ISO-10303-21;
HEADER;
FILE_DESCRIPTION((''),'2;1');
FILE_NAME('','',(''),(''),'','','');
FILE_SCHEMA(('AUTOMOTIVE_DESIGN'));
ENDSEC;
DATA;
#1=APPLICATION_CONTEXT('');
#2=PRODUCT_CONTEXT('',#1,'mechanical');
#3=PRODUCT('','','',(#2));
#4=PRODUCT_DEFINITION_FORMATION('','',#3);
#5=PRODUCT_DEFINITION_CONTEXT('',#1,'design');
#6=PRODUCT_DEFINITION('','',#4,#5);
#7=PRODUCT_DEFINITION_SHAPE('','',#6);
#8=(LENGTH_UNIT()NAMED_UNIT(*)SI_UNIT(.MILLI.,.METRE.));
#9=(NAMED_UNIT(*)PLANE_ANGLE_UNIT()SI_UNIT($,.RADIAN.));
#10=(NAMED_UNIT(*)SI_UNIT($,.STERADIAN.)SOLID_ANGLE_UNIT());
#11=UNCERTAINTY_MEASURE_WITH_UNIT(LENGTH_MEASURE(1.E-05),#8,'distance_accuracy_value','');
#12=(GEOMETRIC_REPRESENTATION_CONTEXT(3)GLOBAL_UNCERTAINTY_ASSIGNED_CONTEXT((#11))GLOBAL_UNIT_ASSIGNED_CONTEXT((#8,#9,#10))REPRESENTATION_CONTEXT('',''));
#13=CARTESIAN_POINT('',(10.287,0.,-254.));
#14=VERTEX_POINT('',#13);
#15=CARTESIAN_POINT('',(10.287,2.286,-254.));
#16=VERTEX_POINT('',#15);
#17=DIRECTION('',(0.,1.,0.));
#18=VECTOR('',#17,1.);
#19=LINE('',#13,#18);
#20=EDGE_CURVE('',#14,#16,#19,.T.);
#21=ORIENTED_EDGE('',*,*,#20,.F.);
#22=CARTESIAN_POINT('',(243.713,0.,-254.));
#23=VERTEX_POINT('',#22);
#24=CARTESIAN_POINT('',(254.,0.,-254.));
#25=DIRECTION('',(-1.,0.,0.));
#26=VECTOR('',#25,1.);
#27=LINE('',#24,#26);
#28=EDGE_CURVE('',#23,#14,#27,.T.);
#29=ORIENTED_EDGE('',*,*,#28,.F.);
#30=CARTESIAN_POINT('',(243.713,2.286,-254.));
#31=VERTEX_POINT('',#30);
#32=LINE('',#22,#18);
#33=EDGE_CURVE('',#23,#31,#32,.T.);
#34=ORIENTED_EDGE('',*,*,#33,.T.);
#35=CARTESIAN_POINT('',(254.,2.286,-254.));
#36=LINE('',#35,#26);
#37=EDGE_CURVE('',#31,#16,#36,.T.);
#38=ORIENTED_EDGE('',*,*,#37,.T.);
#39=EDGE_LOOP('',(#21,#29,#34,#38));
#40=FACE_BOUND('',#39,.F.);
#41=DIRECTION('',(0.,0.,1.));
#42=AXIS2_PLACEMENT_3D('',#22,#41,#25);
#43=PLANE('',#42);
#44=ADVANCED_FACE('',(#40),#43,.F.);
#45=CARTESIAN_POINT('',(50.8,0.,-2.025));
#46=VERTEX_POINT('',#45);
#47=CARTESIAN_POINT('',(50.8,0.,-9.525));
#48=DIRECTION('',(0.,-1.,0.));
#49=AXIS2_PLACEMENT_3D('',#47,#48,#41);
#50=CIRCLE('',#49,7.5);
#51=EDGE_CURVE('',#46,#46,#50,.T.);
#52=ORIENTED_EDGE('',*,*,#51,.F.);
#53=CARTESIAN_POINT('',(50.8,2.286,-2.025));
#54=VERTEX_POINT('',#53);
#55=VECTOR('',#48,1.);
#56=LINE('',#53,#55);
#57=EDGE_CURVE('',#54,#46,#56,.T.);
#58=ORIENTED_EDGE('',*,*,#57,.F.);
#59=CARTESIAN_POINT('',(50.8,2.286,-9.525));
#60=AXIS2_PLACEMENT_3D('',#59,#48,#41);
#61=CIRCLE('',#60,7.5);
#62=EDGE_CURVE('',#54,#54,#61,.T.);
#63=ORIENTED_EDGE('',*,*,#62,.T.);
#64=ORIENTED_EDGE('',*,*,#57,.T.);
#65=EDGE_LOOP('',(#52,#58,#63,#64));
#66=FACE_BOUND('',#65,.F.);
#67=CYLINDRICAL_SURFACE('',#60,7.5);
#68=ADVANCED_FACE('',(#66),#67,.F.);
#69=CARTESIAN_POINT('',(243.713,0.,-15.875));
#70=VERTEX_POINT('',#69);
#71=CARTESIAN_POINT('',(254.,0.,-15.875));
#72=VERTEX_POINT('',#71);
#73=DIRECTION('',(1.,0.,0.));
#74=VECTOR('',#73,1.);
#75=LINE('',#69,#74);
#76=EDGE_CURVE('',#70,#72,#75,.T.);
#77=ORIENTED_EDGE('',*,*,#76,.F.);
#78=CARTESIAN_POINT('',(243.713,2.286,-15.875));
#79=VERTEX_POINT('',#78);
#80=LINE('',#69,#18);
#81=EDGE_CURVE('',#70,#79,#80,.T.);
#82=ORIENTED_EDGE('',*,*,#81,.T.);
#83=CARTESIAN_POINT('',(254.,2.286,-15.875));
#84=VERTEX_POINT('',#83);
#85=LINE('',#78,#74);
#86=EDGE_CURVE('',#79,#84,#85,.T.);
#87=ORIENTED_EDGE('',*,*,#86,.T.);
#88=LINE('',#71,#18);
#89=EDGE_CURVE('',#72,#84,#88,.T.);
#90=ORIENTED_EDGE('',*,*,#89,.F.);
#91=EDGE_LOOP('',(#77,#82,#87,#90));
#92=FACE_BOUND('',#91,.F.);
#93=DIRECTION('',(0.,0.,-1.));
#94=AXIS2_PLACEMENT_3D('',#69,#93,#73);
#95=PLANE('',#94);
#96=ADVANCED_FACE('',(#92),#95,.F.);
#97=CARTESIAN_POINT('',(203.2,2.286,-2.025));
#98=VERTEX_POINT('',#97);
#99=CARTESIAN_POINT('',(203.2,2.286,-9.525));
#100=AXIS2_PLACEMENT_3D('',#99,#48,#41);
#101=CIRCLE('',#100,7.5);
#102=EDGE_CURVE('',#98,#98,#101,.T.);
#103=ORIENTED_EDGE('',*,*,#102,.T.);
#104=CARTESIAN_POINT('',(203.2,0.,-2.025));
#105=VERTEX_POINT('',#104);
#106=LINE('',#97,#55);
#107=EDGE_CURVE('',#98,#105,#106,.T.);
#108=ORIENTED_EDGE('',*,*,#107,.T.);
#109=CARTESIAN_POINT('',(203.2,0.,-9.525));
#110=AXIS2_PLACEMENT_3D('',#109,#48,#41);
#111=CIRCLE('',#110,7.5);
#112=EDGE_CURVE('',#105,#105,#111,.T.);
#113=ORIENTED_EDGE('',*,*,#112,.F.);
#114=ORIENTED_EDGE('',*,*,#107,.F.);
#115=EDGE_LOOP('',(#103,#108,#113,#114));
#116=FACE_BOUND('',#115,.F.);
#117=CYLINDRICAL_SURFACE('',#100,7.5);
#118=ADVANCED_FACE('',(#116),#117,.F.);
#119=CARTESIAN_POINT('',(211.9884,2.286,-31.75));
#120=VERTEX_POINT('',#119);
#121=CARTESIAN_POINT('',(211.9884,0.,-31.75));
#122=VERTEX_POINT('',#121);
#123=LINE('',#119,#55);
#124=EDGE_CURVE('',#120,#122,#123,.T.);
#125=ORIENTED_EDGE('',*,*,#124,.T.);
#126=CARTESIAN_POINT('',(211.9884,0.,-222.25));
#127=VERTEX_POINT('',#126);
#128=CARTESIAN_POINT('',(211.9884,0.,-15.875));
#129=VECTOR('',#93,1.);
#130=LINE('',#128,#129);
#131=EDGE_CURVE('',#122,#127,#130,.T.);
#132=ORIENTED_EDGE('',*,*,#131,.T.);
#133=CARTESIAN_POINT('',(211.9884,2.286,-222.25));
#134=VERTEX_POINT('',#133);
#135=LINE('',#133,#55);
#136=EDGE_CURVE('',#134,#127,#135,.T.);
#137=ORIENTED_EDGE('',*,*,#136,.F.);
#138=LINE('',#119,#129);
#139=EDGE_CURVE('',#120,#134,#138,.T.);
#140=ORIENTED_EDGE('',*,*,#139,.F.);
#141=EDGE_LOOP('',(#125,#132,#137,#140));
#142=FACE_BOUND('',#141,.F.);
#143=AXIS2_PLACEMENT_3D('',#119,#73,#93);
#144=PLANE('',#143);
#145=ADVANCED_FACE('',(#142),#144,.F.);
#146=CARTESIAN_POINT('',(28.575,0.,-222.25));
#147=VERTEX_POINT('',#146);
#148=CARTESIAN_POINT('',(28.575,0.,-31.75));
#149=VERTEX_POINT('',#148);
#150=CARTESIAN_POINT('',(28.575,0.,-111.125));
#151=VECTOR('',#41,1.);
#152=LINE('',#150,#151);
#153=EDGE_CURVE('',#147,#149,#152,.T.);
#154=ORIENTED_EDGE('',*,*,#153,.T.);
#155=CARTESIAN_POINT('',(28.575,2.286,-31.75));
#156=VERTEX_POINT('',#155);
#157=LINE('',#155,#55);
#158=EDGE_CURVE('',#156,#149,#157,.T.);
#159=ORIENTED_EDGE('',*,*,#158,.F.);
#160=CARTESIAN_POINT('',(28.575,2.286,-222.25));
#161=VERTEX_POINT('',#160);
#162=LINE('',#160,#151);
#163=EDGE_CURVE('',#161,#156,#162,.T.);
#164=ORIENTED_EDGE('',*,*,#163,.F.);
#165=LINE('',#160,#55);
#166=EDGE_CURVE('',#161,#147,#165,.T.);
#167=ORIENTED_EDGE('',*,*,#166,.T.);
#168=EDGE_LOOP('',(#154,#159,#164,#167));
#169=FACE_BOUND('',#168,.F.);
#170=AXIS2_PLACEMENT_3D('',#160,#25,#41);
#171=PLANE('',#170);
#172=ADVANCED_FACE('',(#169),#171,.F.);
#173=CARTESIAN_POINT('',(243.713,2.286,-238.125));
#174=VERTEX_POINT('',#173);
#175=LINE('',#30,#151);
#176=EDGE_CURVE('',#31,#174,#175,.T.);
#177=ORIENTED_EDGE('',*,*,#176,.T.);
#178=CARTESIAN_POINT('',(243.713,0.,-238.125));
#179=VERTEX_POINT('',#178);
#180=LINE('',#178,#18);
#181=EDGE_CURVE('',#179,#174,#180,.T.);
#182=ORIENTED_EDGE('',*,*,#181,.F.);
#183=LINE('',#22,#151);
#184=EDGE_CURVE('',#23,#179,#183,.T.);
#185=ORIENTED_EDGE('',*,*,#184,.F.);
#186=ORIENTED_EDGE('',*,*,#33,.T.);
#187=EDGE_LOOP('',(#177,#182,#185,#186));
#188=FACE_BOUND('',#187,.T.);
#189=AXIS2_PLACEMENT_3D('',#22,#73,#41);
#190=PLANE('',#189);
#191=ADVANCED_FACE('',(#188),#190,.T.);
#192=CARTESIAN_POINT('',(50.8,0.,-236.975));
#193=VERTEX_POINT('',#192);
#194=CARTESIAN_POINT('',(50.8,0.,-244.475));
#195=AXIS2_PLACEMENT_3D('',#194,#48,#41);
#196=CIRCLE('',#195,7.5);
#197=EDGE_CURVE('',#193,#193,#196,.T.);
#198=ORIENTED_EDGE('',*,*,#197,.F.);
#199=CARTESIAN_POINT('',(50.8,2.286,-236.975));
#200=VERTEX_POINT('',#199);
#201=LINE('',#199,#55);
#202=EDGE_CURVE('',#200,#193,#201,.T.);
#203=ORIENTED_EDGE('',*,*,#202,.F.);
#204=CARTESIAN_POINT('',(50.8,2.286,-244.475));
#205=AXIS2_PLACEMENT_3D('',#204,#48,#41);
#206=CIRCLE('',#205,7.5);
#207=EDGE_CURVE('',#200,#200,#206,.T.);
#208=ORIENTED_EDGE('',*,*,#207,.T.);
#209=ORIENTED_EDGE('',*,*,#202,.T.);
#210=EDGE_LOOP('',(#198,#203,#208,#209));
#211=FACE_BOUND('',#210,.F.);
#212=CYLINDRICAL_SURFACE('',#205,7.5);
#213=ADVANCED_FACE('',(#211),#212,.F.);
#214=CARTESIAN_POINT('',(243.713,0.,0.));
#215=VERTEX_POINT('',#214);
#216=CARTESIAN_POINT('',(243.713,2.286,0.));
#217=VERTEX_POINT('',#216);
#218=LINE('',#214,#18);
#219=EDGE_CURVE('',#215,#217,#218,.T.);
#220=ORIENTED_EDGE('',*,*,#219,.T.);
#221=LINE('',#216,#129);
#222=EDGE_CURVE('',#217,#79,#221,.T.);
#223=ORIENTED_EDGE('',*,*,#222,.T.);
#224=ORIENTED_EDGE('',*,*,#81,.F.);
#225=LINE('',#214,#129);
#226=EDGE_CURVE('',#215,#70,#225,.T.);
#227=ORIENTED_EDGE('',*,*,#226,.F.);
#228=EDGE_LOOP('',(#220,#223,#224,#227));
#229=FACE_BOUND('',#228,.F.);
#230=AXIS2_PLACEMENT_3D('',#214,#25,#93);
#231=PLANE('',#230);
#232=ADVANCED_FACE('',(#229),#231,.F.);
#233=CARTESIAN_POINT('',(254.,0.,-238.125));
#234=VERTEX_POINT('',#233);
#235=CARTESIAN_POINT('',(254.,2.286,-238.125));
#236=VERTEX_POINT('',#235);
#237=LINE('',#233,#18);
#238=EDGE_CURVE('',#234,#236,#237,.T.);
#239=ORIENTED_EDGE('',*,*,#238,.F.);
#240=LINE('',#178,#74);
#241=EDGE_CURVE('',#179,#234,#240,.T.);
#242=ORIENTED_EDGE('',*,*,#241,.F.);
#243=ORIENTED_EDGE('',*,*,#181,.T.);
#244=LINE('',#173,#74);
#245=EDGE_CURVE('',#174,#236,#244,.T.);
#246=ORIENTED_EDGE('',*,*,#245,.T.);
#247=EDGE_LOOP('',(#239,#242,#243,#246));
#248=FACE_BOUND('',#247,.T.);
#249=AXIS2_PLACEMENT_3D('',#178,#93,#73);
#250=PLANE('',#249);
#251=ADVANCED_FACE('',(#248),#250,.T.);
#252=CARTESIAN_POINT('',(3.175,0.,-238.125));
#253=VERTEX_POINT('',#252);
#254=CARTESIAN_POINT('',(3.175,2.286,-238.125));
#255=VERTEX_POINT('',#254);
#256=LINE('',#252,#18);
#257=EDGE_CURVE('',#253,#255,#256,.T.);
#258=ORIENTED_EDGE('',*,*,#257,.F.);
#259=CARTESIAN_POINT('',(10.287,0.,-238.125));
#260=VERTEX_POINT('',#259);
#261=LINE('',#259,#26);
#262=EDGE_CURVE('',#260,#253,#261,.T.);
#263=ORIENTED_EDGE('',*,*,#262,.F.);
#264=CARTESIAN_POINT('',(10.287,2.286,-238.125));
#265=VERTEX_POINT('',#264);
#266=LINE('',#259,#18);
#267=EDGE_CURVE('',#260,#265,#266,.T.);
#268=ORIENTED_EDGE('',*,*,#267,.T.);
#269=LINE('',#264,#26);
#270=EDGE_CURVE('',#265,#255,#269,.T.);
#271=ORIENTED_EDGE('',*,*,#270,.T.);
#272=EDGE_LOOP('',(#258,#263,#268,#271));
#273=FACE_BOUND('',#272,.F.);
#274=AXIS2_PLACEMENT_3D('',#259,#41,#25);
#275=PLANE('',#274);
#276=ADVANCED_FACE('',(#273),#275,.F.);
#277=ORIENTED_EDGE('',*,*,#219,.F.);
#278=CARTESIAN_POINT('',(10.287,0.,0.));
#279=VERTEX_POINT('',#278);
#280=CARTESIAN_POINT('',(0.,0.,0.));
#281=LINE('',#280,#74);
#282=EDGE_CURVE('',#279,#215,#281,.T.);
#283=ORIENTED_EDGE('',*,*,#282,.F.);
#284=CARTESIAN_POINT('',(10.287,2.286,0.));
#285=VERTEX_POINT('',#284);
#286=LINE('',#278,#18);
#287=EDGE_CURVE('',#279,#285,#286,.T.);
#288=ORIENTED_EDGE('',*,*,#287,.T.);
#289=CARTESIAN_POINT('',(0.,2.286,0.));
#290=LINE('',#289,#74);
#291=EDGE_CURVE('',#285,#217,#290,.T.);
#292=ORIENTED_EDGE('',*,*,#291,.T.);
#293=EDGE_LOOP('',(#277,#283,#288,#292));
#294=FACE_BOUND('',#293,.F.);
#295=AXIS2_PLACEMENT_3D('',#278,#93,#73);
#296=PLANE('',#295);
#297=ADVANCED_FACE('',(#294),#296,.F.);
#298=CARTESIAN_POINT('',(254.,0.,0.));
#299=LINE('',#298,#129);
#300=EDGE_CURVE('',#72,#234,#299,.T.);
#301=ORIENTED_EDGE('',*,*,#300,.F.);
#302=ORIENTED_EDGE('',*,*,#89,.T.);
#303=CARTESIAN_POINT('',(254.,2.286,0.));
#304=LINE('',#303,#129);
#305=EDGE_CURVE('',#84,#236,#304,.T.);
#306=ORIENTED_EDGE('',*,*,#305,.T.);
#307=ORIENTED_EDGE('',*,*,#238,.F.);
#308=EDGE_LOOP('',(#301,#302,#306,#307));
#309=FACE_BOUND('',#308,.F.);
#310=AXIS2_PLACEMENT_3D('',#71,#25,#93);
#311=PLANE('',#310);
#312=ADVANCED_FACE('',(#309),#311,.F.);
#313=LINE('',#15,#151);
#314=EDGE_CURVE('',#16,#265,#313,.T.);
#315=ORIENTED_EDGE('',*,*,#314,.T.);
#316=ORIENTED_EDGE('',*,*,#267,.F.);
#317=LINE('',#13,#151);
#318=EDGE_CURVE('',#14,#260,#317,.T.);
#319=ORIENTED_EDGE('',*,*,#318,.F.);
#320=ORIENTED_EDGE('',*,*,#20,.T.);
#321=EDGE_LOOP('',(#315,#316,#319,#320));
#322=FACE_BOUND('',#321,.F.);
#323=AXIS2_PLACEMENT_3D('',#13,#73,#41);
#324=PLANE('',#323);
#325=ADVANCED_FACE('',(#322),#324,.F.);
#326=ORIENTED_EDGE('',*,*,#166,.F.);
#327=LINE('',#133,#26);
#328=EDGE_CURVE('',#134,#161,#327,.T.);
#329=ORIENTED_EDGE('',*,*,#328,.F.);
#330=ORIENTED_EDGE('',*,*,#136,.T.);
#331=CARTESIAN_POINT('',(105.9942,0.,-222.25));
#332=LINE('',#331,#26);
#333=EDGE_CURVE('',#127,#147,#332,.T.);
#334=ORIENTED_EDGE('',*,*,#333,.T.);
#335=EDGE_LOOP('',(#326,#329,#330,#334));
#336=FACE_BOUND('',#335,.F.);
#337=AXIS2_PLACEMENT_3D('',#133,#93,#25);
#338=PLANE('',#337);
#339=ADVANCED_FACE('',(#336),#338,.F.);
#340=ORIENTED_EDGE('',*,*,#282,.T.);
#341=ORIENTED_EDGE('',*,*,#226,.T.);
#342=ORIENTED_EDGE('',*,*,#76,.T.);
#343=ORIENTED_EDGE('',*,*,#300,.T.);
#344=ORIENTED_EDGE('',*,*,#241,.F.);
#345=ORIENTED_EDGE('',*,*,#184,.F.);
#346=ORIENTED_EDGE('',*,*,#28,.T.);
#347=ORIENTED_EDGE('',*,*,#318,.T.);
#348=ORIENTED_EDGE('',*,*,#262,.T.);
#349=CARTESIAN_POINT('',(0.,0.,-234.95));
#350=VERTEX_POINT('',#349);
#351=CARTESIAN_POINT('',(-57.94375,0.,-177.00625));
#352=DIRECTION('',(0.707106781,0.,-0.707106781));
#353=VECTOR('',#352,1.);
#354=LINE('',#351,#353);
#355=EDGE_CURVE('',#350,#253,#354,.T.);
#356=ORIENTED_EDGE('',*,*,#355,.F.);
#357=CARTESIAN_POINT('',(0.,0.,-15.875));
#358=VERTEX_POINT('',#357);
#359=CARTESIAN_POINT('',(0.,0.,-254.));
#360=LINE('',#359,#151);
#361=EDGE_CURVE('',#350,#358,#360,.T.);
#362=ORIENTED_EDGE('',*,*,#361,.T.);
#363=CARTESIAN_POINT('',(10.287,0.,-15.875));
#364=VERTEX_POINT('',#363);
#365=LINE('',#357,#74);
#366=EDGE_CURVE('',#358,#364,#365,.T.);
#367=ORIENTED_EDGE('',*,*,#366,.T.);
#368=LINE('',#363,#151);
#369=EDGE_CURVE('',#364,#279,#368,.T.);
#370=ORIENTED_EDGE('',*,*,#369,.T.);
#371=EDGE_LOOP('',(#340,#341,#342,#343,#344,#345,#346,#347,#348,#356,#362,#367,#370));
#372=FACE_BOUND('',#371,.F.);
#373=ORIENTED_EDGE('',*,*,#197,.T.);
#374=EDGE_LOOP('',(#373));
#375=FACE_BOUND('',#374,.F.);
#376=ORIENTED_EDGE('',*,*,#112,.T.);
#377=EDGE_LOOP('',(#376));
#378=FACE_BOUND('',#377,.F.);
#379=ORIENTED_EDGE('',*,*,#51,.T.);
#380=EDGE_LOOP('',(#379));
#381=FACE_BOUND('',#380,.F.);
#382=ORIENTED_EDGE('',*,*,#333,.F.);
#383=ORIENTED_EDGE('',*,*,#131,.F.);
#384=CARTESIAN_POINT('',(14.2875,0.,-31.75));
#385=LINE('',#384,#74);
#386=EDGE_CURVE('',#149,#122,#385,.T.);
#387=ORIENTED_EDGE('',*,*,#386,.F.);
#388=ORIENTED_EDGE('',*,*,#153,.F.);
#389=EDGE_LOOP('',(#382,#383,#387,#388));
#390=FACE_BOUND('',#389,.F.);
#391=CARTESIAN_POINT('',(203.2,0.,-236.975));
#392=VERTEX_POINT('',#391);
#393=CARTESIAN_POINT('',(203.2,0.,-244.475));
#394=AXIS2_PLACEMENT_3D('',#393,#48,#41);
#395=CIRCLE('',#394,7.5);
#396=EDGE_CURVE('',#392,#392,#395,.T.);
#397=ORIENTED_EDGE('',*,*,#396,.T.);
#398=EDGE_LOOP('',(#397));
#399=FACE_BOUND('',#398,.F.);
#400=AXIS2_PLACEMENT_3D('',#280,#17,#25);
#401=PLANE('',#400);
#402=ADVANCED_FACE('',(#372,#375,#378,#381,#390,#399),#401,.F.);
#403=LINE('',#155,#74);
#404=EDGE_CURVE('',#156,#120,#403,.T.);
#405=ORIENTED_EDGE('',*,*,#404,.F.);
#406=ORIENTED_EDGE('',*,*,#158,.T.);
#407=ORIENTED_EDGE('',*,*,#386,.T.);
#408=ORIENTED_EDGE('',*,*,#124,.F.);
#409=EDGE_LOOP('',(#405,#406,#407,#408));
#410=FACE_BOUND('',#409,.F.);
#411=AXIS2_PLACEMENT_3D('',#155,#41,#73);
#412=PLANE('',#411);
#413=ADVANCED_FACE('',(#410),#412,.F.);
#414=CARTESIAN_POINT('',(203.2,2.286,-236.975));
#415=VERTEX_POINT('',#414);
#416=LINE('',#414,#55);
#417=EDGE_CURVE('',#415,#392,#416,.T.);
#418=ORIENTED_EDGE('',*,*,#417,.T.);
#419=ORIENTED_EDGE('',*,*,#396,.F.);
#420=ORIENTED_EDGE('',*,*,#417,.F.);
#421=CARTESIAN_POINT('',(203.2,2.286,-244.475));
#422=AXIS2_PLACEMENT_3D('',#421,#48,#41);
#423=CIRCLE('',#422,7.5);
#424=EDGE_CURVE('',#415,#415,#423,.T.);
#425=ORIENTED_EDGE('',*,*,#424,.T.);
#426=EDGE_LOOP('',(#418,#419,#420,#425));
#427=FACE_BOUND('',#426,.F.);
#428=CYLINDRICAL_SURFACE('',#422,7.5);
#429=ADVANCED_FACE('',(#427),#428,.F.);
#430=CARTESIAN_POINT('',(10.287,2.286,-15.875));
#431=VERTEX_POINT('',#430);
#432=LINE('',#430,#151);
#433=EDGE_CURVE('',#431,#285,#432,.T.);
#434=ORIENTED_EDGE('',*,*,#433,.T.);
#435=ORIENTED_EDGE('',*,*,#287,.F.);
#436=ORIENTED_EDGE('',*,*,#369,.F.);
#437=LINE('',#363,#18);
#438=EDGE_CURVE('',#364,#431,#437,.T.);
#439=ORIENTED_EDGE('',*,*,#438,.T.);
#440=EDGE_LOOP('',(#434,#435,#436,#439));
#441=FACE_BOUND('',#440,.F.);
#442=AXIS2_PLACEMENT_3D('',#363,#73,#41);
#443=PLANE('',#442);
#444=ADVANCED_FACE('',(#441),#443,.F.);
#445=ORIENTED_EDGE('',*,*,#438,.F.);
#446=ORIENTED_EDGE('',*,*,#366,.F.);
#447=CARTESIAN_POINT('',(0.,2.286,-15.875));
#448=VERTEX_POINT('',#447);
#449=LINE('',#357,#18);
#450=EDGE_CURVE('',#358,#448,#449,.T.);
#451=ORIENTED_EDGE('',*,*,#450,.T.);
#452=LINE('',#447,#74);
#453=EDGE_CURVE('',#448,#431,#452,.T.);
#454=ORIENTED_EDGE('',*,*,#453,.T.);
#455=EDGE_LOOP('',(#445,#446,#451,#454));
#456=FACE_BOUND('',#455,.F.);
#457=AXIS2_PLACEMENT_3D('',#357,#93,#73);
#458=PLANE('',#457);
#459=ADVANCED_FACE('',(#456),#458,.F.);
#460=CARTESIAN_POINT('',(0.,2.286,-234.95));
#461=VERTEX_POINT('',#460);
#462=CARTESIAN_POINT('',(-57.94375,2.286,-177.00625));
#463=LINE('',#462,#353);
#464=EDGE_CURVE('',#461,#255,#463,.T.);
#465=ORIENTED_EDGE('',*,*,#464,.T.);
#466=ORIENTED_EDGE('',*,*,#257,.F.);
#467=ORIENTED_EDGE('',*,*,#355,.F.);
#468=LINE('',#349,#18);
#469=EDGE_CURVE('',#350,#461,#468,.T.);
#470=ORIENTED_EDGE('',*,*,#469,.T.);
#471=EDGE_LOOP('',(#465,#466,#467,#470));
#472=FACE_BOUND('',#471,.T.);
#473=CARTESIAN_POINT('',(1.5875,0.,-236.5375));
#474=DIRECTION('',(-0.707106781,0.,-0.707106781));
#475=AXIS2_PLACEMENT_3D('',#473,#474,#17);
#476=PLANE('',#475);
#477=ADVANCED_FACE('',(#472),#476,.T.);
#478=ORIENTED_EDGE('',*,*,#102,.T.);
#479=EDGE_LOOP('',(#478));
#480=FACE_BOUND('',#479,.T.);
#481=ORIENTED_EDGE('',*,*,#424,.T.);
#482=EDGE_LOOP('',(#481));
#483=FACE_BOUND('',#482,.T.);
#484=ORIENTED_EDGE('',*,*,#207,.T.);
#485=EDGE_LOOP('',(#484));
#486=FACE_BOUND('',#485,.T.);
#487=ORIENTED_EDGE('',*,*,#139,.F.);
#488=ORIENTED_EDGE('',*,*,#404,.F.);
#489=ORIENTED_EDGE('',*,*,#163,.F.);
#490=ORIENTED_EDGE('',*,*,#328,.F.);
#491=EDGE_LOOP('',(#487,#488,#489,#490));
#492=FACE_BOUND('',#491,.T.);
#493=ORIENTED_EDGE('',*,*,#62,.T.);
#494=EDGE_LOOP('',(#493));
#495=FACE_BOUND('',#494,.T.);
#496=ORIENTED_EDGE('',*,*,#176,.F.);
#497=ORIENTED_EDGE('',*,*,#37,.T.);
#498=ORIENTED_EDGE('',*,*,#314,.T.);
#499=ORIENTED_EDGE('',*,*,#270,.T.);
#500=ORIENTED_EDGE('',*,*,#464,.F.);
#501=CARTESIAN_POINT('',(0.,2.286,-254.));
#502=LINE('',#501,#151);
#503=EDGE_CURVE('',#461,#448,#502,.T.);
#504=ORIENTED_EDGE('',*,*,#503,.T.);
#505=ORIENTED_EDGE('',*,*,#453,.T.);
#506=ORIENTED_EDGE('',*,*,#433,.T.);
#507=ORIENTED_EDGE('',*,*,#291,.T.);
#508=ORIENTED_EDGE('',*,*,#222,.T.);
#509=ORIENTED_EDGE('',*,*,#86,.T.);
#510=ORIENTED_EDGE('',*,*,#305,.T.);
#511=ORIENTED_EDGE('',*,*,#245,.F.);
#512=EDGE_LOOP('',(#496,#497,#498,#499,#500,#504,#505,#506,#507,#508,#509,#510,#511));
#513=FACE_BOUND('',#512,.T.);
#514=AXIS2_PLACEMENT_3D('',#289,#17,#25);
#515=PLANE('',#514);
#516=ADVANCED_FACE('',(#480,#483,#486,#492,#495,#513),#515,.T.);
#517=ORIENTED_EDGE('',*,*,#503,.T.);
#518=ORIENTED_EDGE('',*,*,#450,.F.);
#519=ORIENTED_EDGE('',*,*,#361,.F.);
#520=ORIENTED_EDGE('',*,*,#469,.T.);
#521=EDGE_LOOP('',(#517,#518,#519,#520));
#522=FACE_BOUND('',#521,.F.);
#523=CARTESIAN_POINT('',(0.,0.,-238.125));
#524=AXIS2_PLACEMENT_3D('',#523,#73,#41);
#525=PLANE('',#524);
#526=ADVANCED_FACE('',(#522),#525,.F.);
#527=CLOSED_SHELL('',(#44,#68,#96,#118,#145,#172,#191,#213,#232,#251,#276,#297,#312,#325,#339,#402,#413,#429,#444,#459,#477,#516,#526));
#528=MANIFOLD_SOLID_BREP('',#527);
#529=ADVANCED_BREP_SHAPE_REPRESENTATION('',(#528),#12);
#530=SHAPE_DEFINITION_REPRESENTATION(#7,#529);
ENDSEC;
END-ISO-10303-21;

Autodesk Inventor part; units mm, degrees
ref_plane "YZ Plane" through (0, 0, 0) normal (1, 0, 0) x (0, 1, 0)
ref_plane "XZ Plane" through (0, 0, 0) normal (0, 1, 0) x (-1, 0, 0)
ref_plane "XY Plane" through (0, 0, 0) normal (0, 0, 1) x (1, 0, 0)
sketch "Sketch1" plane through (0, 0, 0) normal (0, 1, 0) x (-1, 0, 0)
  line L0 (0, 0) -> (-254, 0)
  line L1 (-254, 0) -> (-254, -254)
  line L2 (-254, -254) -> (0, -254)
  line L3 (0, -254) -> (0, 0)
  line L4 (0, -15.875) -> (-10.287, -15.875)
  line L5 (-10.287, -15.875) -> (-10.287, 0)
  line L6 (-243.713, 0) -> (-243.713, -15.875)
  line L7 (-243.713, -15.875) -> (-254, -15.875)
  line L8 (-243.713, -254) -> (-243.713, -238.125)
  line L9 (-243.713, -238.125) -> (-254, -238.125)
  line L10 (-10.287, -254) -> (-10.287, -238.125)
  line L11 (-10.287, -238.125) -> (0, -238.125)
  dimension "d0" = 254
  dimension "d1" = 254
  dimension "d14" = 10.287
  dimension "d15" = 10.287
  dimension "d16" = 15.875
  dimension "d17" = 15.875
extrude "Extrusion1" add sketch "Sketch1" along normal blind 2.286 contours L5 L4 L3 L11 L10 L2 L8 L9 L1 L7 L6 L0
sketch "Sketch2" plane through (0, 2.286, 0) normal (0, 1, 0) x (1, 0, 0)
  line L0 (28.575, 31.75) -> (211.9884, 31.75)
  line L1 (211.9884, 31.75) -> (211.9884, 222.25)
  line L2 (211.9884, 222.25) -> (28.575, 222.25)
  line L3 (28.575, 222.25) -> (28.575, 31.75)
  line L4 (0, 15.875) -> (10.287, 15.875) projected
  line L5 (10.287, 15.875) -> (10.287, 0) projected
  line L6 (10.287, 0) -> (243.713, 0) projected
  line L7 (243.713, 0) -> (243.713, 15.875) projected
  line L8 (243.713, 15.875) -> (254, 15.875) projected
  line L9 (254, 15.875) -> (254, 238.125) projected
  line L10 (254, 238.125) -> (243.713, 238.125) projected
  line L11 (243.713, 238.125) -> (243.713, 254) projected
  line L12 (243.713, 254) -> (10.287, 254) projected
  line L13 (10.287, 254) -> (10.287, 238.125) projected
  line L14 (10.287, 238.125) -> (0, 238.125) projected
  line L15 (0, 238.125) -> (0, 15.875) projected
  line L16 (0, 238.125) -> (0, 15.875) projected
  point P0 (0, 0)
  point P1 (127, 0)
  point P2 (0, 127)
  point P3 (28.575, 127)
  point P4 (0, 127)
  dimension "d9" = 190.5
  dimension "d28" = 42.0116
  dimension "d29" = 28.575
extrude "Extrusion2" cut sketch "Sketch2" against normal through all contours L3 L2 L1 L0
sketch "Sketch3" plane through (0, 2.286, 0) normal (0, 1, 0) x (1, 0, 0)
  circle A0 centre (50.8, 9.525) radius 4 projected
  circle A1 centre (203.2, 9.525) radius 4 projected
  circle A2 centre (203.2, 244.475) radius 4.2037 projected
  circle A3 centre (50.8, 244.475) radius 4.2037 projected
  point P0 (0, 0)
hole "Hole1" at (50.8, 2.286, -9.525) at (50.8, 2.286, -244.475) at (203.2, 2.286, -244.475) at (203.2, 2.286, -9.525) direction (0, -1, 0) diameter 15 end through all
chamfer "Chamfer1" distance 3.175 angle 45 1 edges at (0, 1.143, -238.125)
equation "\"d15\" = d14"
equation "\"d17\" = d16"
properties part number "Carriage Sheet"
